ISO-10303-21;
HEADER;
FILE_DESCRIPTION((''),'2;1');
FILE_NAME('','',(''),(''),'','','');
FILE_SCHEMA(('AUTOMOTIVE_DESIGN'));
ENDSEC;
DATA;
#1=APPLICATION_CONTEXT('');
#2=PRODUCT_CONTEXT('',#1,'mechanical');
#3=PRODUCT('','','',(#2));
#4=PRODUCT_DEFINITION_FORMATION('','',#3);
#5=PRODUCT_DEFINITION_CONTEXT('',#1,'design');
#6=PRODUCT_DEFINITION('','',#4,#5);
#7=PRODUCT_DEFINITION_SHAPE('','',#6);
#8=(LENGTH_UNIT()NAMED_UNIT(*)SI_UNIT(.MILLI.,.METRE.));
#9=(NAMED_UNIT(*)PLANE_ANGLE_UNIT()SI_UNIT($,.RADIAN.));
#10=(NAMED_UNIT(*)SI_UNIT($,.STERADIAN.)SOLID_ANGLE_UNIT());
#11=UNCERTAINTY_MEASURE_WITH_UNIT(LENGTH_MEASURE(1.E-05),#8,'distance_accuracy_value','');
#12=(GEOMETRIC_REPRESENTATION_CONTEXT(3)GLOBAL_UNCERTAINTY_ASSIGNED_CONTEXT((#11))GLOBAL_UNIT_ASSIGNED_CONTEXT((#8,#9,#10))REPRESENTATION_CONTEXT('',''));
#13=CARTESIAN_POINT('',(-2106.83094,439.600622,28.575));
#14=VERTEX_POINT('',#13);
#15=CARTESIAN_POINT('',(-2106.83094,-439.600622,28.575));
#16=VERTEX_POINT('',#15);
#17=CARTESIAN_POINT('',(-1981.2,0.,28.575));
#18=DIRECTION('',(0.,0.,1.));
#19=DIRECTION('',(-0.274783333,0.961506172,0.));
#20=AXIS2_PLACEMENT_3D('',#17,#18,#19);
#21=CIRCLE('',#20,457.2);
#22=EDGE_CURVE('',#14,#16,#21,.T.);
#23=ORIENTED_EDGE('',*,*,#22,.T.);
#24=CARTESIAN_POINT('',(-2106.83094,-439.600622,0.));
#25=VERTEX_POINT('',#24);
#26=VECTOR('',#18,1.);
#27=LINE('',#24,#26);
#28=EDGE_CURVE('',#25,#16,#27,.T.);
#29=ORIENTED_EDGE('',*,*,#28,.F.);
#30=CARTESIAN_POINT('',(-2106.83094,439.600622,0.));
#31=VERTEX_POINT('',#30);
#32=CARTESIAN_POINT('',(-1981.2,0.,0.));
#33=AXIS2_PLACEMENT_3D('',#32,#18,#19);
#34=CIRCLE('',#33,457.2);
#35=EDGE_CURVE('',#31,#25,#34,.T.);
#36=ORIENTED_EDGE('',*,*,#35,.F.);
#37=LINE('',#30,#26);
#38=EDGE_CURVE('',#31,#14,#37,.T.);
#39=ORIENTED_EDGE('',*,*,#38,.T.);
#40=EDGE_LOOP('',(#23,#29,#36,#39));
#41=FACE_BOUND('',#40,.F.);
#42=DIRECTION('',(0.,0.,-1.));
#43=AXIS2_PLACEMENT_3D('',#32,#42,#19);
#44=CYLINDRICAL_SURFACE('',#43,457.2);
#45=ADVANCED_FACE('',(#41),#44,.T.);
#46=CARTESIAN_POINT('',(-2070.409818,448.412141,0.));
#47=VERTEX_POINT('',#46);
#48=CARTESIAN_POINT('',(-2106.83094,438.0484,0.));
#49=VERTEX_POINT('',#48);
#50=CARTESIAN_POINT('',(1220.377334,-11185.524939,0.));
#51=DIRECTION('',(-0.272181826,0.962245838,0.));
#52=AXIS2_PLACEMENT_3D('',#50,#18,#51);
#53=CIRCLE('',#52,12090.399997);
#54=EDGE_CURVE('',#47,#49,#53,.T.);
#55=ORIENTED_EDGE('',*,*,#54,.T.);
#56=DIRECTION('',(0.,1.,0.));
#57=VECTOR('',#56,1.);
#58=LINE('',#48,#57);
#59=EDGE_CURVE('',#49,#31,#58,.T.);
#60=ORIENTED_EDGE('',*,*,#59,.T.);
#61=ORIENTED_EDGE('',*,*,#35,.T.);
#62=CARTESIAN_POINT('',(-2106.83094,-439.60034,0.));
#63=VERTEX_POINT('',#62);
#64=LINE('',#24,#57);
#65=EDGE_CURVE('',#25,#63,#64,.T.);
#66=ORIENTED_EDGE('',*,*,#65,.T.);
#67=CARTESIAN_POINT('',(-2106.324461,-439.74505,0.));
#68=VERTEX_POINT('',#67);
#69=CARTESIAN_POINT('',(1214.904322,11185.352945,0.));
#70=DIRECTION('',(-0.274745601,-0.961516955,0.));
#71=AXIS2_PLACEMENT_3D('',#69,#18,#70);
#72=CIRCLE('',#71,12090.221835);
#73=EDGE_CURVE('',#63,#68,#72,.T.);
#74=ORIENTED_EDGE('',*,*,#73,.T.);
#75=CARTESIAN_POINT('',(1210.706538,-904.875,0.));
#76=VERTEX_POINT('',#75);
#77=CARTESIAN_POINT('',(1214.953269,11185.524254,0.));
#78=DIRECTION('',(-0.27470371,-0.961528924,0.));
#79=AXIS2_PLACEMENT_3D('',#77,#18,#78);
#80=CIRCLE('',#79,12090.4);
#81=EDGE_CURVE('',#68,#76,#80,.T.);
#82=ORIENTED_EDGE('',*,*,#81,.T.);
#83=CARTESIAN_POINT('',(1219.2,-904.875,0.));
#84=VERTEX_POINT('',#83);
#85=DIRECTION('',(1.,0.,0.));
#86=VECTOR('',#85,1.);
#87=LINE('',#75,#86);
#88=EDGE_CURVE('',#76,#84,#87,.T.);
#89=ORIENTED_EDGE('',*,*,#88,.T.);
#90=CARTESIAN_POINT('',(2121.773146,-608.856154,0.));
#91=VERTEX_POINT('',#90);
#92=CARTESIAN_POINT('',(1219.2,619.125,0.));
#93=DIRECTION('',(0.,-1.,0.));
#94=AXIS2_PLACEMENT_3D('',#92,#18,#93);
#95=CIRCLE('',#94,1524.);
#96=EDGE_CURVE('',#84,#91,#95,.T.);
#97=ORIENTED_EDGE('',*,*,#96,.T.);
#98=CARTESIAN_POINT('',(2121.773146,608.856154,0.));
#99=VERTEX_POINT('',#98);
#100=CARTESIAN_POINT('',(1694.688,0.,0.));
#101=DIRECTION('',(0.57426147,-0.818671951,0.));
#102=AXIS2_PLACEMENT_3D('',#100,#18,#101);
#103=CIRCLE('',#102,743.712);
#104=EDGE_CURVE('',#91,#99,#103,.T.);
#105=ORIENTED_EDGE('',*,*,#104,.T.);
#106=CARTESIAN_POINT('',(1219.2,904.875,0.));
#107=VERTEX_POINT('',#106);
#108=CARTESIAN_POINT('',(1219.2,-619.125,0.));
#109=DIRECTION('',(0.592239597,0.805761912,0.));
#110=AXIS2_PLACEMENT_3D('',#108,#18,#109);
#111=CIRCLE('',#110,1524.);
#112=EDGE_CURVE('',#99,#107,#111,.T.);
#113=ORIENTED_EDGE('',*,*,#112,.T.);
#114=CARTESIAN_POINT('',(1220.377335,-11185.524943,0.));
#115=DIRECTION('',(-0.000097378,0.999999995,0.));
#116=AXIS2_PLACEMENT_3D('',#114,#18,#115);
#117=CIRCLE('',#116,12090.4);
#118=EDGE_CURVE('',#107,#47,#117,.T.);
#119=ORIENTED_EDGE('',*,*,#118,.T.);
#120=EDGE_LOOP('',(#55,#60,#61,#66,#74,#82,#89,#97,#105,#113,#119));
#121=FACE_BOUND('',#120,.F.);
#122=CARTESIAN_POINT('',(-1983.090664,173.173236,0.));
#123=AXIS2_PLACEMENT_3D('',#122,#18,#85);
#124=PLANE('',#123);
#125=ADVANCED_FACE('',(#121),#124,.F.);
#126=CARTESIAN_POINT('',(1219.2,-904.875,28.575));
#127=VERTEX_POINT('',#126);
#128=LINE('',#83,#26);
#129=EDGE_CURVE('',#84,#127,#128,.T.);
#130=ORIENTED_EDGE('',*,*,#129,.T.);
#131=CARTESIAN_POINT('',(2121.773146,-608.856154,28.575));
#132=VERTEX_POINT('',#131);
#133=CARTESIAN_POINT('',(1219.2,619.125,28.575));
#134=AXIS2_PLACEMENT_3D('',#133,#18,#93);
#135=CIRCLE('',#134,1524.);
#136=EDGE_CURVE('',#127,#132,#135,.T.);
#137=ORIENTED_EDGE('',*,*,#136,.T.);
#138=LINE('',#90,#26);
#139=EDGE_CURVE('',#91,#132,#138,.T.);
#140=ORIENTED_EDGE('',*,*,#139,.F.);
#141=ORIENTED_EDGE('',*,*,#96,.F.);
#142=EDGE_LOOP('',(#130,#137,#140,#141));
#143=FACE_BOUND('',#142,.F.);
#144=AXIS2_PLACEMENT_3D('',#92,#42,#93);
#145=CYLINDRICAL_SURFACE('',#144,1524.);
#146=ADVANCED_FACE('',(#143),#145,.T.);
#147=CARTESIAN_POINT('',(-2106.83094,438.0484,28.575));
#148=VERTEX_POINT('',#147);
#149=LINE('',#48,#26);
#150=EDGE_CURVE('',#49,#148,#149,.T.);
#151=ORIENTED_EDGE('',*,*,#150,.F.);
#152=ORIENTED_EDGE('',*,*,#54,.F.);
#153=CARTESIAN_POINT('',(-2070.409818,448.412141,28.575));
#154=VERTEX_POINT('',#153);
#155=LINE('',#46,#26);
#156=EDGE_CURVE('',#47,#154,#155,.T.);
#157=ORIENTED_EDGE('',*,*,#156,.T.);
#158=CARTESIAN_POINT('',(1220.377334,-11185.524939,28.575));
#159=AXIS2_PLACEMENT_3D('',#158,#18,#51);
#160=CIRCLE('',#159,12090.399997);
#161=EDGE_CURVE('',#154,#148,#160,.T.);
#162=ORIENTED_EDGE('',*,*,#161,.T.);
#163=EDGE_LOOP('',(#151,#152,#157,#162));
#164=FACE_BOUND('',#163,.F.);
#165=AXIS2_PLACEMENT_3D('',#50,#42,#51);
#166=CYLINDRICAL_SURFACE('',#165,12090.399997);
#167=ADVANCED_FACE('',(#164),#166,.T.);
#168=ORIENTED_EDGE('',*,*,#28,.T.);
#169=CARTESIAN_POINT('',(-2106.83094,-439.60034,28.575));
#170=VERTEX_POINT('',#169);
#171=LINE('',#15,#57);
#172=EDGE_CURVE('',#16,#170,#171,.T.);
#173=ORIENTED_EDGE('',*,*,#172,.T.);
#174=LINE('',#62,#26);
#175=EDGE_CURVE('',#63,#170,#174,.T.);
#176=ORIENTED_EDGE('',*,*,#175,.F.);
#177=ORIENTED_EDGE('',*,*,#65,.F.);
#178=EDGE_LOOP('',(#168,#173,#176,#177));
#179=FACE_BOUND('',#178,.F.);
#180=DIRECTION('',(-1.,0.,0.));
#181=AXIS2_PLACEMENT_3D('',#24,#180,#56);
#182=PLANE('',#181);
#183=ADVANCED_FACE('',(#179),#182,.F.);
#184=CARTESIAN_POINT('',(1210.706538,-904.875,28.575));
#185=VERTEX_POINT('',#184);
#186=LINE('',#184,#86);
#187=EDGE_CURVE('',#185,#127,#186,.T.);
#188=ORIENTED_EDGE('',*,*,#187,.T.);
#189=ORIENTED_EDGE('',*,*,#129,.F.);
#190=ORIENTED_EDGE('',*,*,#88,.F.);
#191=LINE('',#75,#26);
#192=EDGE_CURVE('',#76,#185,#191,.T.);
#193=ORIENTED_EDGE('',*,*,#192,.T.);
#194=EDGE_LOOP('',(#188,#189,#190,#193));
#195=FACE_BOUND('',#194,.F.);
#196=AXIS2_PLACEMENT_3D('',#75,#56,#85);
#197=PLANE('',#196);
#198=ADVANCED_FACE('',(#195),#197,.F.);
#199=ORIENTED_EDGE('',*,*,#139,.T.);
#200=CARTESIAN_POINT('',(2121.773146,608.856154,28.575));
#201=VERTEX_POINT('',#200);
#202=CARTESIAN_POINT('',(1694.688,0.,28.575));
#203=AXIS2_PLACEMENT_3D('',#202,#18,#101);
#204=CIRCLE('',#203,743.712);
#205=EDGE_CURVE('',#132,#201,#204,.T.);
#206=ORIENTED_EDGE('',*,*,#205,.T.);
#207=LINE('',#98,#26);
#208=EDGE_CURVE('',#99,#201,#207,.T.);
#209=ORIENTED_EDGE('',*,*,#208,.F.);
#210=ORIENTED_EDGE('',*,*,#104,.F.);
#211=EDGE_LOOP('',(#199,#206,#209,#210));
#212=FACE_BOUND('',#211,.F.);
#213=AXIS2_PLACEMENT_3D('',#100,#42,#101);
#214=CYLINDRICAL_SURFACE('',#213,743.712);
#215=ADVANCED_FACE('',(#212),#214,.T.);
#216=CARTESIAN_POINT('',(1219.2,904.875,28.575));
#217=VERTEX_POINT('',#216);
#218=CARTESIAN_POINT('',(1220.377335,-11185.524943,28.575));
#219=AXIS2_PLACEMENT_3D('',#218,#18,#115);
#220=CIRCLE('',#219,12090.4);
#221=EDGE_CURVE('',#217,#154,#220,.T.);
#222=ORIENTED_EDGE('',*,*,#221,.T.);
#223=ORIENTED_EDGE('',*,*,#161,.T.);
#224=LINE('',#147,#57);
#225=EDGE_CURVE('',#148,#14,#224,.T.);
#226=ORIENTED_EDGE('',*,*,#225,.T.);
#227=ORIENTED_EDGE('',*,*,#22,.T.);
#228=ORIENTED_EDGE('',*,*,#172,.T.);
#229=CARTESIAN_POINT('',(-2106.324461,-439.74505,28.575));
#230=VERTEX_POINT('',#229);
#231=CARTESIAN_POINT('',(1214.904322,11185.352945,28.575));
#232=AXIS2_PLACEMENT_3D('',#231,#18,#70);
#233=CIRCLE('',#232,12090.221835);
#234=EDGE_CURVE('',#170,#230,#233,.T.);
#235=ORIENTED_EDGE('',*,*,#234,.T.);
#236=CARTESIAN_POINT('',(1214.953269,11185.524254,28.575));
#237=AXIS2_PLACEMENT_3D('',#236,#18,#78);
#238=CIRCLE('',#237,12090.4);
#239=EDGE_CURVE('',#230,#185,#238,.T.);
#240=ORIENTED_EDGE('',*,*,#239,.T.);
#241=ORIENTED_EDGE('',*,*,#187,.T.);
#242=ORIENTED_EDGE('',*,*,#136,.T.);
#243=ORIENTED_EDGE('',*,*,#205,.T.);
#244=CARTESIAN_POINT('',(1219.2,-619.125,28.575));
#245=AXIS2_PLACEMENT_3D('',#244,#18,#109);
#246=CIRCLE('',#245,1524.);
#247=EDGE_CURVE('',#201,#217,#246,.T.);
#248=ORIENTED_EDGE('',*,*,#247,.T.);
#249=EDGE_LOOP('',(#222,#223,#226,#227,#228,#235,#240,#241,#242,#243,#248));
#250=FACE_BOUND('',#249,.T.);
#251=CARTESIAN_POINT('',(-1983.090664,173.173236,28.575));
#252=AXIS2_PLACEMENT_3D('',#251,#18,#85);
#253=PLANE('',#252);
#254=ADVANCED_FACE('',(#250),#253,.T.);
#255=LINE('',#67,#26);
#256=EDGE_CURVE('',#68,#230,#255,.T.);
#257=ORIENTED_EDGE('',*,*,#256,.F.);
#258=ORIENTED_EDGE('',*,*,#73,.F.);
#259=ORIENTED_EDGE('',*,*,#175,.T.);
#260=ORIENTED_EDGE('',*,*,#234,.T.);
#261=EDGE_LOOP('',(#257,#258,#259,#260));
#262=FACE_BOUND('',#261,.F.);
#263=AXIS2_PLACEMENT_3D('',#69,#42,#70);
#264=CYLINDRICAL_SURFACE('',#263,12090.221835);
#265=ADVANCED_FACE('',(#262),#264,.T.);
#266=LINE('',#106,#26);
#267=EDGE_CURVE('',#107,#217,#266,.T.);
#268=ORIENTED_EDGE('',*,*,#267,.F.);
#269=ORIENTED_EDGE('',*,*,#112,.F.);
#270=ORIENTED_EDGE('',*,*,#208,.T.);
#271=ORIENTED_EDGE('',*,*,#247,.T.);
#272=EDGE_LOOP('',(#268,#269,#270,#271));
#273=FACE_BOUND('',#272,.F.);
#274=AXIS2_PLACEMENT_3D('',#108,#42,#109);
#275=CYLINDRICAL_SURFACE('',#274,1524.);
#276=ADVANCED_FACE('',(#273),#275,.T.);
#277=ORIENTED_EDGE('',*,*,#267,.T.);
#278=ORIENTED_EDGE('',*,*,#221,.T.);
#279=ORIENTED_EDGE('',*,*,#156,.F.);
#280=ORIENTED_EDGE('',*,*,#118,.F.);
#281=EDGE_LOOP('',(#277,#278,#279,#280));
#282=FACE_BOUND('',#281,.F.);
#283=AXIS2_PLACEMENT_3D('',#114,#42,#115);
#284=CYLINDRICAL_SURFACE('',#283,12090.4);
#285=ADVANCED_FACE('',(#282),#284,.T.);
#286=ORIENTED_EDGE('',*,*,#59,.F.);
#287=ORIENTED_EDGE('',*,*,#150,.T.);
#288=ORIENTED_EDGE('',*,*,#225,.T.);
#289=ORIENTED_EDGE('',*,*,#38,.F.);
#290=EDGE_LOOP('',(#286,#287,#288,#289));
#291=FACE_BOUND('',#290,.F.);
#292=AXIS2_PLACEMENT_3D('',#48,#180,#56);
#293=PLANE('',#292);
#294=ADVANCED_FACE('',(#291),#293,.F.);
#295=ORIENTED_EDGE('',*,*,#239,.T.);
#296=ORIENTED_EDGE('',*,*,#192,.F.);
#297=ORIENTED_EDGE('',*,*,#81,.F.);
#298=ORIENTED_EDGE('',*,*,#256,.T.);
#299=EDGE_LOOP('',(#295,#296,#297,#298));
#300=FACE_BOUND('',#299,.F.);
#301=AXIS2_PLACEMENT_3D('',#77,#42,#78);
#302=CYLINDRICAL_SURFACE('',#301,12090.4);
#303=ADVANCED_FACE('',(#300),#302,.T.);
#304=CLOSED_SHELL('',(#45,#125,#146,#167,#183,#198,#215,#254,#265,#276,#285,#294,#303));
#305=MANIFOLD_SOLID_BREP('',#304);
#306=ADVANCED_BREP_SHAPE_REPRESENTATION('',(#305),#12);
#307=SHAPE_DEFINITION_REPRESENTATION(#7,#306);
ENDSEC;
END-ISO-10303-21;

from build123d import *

# Parameters (mm, degrees)
F1_DEPTH = 28.575


with BuildPart() as f1:
    # F0 (on Top) → F1 (new body)
    with BuildSketch(Plane.XY):
        with BuildLine():
            ThreePointArc((-1524, 0), (-1691.1611136261, 353.4250760642), (-2070.4098179833, 448.4121411998))
            ThreePointArc((-2070.4098179833, 448.4121411998), (-2088.6244363783, 443.2445294059), (-2106.83094, 438.0484))
            Line((-2106.83094, 438.0484), (-2106.83094, 439.6006220591))
            ThreePointArc((-2106.83094, 439.6006220591), (-2346.2139077953, 275.3119814247), (-2438.4, 0))
            Line((-2438.4, 0), (-1981.2, 0))
            Line((-1981.2, 0), (-1524, 0))
        make_face()
        with BuildLine():
            ThreePointArc((-2106.3244607875, -439.745050356), (-1705.6778261846, -364.8552750558), (-1524, 0))
            Line((-1524, 0), (-1981.2, 0))
            Line((-1981.2, 0), (-2438.4, 0))
            ThreePointArc((-2438.4, 0), (-2346.2139077953, -275.3119814247), (-2106.83094, -439.6006220591))
            Line((-2106.83094, -439.6006220591), (-2106.83094, -439.60034))
            ThreePointArc((-2106.83094, -439.60034), (-2106.5777011818, -439.6726979363), (-2106.3244607875, -439.745050356))
        make_face()
        with BuildLine():
            Line((-1219.2, 0), (-1219.2, 656.1909205311))
            ThreePointArc((-1219.2000000003, 656.1909205311), (-1646.6877665577, 560.0150560439), (-2070.4098179833, 448.4121411998))
            ThreePointArc((-2070.4098179833, 448.4121411998), (-1691.1611136261, 353.4250760642), (-1524, 0))
            Line((-1524, 0), (-1219.2, 0))
        make_face()
        with BuildLine():
            Line((-1219.2, -657.3077561152), (-1219.2, 0))
            Line((-1219.2, 0), (-1524, 0))
            ThreePointArc((-1524, 0), (-1705.6778261846, -364.8552750558), (-2106.3244607875, -439.745050356))
            ThreePointArc((-2106.3244607875, -439.745050356), (-1664.8175340653, -556.9070223074), (-1219.2000000004, -657.3077561153))
        make_face()
        with BuildLine():
            Line((0, -843.6760814524), (0, 0))
            Line((0, 0), (-1219.2, 0))
            Line((-1219.2, 0), (-1219.2, -657.3077561152))
            ThreePointArc((-1219.2000000004, -657.3077561153), (-611.9780158578, -766.0486231134), (1e-10, -843.6760814524))
        make_face()
        with BuildLine():
            Line((0, 0), (0, 843.1263250013))
            ThreePointArc((-2e-10, 843.1263250013), (-611.9854178342, 765.2164109306), (-1219.2000000003, 656.1909205311))
            Line((-1219.2, 656.1909205311), (-1219.2, 0))
            Line((-1219.2, 0), (0, 0))
        make_face()
        with BuildLine():
            Line((1219.2, 619.125), (1219.2, 904.875))
            ThreePointArc((1219.2, 904.875), (608.820160514, 889.3982447365), (-2e-10, 843.1263250013))
            Line((0, 843.1263250013), (0, 0))
            Line((0, 0), (950.976, 0))
            ThreePointArc((950.976, 0), (1021.3627923923, 315.817516525), (1219.2, 571.8554894377))
            Line((1219.2, 571.8554894376), (1219.2, 619.125))
        make_face()
        with BuildLine():
            Line((950.976, 0), (0, 0))
            Line((0, 0), (0, -843.6760814524))
            ThreePointArc((1e-10, -843.6760814524), (604.5857673073, -889.4591277256), (1210.7065376481, -904.875))
            Line((1210.7065376481, -904.875), (1219.2, -904.875))
            Line((1219.2, -904.875), (1219.2, -619.125))
            Line((1219.2, -619.125), (1219.2, -571.8554894376))
            ThreePointArc((1219.2, -571.8554894377), (1021.3627923923, -315.817516525), (950.976, 0))
        make_face()
        with BuildLine():
            Line((1219.2, -571.8554894376), (1219.2, 0))
            Line((1219.2, 0), (950.976, 0))
            ThreePointArc((950.976, 0), (1021.3627923923, -315.817516525), (1219.2, -571.8554894377))
        make_face()
        with BuildLine():
            Line((1219.2, 0), (1219.2, 571.8554894376))
            ThreePointArc((1219.2, 571.8554894377), (1021.3627923923, 315.817516525), (950.976, 0))
            Line((950.976, 0), (1219.2, 0))
        make_face()
        with BuildLine():
            Line((1694.688, 0), (2438.4, 0))
            ThreePointArc((2438.4, 0), (2354.5121763384, 343.1320376523), (2121.7731464238, 608.8561543157))
            ThreePointArc((2121.7731464238, 608.8561543157), (1664.2253776747, 743.0878599365), (1219.2, 571.8554894377))
            Line((1219.2, 571.8554894376), (1219.2, 0))
            Line((1219.2, 0), (1694.688, 0))
        make_face()
        with BuildLine():
            ThreePointArc((2121.7731464238, 608.8561543157), (1694.1382701061, 828.9805346861), (1219.2, 904.875))
            Line((1219.2, 904.875), (1219.2, 619.125))
            Line((1219.2, 619.125), (1219.2, 571.8554894376))
            ThreePointArc((1219.2, 571.8554894377), (1664.2253776747, 743.0878599365), (2121.7731464238, 608.8561543157))
        make_face()
        with BuildLine():
            ThreePointArc((1219.2, -904.875), (1694.1382701062, -828.9805346861), (2121.7731464239, -608.8561543157))
            ThreePointArc((2121.7731464239, -608.8561543157), (1664.2253776747, -743.0878599365), (1219.2, -571.8554894377))
            Line((1219.2, -571.8554894376), (1219.2, -619.125))
            Line((1219.2, -619.125), (1219.2, -904.875))
        make_face()
        with BuildLine():
            ThreePointArc((2121.7731464239, -608.8561543157), (2354.5121763384, -343.1320376523), (2438.4, 0))
            Line((2438.4, 0), (1694.688, 0))
            Line((1694.688, 0), (1219.2, 0))
            Line((1219.2, 0), (1219.2, -571.8554894376))
            ThreePointArc((1219.2, -571.8554894377), (1664.2253776747, -743.0878599365), (2121.7731464239, -608.8561543157))
        make_face()
    extrude(amount=F1_DEPTH)


solid = f1.part
